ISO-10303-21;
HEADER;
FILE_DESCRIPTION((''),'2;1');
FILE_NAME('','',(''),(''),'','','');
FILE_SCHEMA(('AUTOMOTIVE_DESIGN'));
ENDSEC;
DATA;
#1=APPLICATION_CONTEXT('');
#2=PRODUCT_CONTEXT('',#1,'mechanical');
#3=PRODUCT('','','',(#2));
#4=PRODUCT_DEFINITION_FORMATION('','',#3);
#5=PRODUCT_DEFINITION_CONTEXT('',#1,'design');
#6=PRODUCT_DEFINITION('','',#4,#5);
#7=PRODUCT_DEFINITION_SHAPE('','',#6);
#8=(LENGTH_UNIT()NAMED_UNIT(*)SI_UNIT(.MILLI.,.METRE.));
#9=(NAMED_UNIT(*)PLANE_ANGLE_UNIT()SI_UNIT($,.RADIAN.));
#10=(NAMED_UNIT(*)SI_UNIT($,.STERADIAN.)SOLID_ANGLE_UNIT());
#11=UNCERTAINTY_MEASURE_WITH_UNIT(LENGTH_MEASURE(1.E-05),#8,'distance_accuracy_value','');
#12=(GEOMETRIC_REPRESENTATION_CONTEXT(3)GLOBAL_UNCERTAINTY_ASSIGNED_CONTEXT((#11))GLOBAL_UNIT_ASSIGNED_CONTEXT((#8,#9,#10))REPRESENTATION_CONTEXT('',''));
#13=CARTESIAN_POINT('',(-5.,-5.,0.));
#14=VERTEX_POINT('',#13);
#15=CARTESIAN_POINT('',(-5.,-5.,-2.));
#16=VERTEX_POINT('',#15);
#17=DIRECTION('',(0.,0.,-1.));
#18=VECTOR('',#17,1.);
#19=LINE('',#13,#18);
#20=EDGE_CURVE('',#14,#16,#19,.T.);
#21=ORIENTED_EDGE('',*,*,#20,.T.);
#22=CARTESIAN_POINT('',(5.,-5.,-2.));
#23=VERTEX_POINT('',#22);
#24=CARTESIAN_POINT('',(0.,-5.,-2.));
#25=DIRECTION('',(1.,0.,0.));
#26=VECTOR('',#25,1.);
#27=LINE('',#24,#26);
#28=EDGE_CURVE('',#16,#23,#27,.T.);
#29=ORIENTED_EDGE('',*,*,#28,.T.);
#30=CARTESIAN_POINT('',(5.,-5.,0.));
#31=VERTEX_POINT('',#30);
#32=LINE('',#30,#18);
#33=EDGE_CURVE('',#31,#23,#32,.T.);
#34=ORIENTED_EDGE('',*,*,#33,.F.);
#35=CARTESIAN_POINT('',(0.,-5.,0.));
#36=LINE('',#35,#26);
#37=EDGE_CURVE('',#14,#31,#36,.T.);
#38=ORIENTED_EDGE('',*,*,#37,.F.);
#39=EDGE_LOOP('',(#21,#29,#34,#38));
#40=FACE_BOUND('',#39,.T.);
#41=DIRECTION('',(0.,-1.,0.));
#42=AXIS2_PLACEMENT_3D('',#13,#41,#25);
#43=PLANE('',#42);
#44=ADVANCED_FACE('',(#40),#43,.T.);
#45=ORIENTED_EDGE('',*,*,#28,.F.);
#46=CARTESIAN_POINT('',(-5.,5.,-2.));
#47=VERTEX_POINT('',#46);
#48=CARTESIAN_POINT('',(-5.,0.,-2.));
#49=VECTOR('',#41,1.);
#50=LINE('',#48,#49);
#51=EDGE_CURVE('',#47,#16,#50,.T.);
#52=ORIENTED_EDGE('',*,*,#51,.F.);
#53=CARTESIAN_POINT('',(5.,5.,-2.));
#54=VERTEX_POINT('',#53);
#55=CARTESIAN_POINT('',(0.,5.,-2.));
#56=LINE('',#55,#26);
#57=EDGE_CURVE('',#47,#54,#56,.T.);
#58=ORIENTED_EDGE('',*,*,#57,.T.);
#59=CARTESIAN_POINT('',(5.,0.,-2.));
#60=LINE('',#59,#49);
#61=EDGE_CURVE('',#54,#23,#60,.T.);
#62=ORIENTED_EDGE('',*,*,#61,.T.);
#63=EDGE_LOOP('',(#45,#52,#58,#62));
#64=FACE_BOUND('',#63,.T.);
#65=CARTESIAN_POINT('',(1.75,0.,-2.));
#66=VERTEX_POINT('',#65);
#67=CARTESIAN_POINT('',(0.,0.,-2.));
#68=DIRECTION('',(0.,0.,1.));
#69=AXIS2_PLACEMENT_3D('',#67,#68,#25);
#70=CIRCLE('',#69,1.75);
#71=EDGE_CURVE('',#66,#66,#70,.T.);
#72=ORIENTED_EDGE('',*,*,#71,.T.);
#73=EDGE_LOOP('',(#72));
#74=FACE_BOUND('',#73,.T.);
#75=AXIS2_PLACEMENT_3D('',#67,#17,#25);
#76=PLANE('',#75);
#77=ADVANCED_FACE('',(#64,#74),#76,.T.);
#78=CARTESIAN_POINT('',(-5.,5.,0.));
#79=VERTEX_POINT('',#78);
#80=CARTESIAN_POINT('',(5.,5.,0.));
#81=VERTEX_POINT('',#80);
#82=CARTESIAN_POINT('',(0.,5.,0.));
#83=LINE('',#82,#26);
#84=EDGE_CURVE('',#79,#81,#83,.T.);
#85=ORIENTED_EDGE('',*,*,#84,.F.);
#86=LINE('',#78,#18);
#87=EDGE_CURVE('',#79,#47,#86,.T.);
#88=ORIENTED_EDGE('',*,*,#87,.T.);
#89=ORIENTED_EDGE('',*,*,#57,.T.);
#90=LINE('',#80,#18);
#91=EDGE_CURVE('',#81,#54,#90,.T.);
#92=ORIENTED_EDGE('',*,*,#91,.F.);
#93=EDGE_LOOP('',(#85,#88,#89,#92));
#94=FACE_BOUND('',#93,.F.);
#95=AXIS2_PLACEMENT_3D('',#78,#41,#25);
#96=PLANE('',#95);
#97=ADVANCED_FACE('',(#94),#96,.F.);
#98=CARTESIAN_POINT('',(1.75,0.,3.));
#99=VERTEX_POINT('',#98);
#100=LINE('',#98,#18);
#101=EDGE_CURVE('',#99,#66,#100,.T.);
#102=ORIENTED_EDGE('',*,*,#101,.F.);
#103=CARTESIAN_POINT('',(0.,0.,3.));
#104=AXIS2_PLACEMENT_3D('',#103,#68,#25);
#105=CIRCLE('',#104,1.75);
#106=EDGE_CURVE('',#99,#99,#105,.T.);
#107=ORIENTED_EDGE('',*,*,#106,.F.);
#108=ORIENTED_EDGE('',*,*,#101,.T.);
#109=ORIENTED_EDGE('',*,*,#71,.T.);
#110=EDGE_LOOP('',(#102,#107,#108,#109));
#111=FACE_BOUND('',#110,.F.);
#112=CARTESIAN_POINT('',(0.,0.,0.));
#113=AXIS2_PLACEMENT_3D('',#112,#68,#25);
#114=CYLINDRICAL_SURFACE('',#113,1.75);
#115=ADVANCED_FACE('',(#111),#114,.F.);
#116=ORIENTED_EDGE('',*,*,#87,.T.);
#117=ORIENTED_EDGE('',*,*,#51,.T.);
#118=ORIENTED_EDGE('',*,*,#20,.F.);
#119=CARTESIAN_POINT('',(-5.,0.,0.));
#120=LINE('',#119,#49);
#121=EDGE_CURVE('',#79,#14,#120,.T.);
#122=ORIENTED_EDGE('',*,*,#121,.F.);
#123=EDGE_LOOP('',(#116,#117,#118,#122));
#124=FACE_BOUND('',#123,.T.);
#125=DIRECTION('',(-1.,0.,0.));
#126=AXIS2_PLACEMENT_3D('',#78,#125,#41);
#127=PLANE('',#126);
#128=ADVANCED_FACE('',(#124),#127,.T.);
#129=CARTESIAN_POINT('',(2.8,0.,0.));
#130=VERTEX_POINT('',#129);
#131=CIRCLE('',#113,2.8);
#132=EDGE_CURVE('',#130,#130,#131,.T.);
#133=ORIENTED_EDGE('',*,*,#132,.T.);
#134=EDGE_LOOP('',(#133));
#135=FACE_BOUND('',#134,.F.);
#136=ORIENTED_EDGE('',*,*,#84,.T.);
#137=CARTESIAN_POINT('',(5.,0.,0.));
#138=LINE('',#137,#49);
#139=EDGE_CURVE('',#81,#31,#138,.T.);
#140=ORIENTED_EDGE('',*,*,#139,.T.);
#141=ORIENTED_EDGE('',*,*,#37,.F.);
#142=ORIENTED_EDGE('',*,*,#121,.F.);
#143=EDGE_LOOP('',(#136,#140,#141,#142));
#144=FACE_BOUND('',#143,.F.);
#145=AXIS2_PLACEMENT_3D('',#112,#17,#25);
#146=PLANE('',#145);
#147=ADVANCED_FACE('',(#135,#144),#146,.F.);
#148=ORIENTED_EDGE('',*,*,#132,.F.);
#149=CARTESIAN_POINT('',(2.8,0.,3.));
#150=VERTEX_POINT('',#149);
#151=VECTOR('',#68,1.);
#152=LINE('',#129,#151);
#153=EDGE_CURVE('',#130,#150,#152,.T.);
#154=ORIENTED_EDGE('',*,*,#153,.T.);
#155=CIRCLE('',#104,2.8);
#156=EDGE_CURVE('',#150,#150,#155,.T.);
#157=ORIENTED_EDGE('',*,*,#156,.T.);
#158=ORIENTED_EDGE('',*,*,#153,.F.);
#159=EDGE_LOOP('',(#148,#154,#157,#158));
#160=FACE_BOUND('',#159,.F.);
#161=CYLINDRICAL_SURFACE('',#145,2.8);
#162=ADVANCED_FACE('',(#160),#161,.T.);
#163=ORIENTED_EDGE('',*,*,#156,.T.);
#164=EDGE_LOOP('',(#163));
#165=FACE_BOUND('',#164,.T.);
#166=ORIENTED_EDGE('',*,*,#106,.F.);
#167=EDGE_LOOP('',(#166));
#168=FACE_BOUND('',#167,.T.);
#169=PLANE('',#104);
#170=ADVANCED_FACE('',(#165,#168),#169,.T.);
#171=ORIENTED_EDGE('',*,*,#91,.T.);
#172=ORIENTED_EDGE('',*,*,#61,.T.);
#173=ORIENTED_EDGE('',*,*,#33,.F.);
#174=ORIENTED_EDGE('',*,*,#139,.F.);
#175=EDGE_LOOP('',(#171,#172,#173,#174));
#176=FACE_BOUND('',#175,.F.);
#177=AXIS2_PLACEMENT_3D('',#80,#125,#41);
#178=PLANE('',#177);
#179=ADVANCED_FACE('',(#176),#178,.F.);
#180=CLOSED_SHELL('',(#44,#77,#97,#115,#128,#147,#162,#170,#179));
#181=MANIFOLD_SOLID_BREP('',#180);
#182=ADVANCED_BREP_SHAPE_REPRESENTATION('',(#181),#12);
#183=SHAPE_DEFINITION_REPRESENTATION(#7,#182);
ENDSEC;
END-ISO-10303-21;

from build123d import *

# Parameters (mm, degrees)
SKETCH_R        = 2.8
PAD_DEPTH       = 3
SKETCH001_R     = 1.75
POCKET_DEPTH    = 4
SKETCH002_W     = 10
SKETCH002_H     = 10
PAD001_DEPTH    = 2
SKETCH003_R     = 1.75
POCKET001_DEPTH = 5


with BuildPart() as part:
    # Sketch → Pad (new body)
    with BuildSketch(Plane.XY):
        Circle(SKETCH_R)
    extrude(amount=PAD_DEPTH)

    # Sketch001 (on Face3 of Pad) → Pocket (cut)
    with BuildSketch(Plane.XY.offset(3)):
        Circle(SKETCH001_R)
    extrude(amount=-POCKET_DEPTH, mode=Mode.SUBTRACT)

    # Sketch002 (on Face2 of Pocket) → Pad001 (join)
    with BuildSketch(Plane(origin=(0, 0, 0), x_dir=(1, 0, 0), z_dir=(0, 0, -1))):
        Rectangle(SKETCH002_W, SKETCH002_H)
    extrude(amount=PAD001_DEPTH)

    # Sketch003 (on Face10 of Pad001) → Pocket001 (cut)
    with BuildSketch(Plane.XY):
        Circle(SKETCH003_R)
    extrude(amount=-POCKET001_DEPTH, mode=Mode.SUBTRACT)


solid = part.part
